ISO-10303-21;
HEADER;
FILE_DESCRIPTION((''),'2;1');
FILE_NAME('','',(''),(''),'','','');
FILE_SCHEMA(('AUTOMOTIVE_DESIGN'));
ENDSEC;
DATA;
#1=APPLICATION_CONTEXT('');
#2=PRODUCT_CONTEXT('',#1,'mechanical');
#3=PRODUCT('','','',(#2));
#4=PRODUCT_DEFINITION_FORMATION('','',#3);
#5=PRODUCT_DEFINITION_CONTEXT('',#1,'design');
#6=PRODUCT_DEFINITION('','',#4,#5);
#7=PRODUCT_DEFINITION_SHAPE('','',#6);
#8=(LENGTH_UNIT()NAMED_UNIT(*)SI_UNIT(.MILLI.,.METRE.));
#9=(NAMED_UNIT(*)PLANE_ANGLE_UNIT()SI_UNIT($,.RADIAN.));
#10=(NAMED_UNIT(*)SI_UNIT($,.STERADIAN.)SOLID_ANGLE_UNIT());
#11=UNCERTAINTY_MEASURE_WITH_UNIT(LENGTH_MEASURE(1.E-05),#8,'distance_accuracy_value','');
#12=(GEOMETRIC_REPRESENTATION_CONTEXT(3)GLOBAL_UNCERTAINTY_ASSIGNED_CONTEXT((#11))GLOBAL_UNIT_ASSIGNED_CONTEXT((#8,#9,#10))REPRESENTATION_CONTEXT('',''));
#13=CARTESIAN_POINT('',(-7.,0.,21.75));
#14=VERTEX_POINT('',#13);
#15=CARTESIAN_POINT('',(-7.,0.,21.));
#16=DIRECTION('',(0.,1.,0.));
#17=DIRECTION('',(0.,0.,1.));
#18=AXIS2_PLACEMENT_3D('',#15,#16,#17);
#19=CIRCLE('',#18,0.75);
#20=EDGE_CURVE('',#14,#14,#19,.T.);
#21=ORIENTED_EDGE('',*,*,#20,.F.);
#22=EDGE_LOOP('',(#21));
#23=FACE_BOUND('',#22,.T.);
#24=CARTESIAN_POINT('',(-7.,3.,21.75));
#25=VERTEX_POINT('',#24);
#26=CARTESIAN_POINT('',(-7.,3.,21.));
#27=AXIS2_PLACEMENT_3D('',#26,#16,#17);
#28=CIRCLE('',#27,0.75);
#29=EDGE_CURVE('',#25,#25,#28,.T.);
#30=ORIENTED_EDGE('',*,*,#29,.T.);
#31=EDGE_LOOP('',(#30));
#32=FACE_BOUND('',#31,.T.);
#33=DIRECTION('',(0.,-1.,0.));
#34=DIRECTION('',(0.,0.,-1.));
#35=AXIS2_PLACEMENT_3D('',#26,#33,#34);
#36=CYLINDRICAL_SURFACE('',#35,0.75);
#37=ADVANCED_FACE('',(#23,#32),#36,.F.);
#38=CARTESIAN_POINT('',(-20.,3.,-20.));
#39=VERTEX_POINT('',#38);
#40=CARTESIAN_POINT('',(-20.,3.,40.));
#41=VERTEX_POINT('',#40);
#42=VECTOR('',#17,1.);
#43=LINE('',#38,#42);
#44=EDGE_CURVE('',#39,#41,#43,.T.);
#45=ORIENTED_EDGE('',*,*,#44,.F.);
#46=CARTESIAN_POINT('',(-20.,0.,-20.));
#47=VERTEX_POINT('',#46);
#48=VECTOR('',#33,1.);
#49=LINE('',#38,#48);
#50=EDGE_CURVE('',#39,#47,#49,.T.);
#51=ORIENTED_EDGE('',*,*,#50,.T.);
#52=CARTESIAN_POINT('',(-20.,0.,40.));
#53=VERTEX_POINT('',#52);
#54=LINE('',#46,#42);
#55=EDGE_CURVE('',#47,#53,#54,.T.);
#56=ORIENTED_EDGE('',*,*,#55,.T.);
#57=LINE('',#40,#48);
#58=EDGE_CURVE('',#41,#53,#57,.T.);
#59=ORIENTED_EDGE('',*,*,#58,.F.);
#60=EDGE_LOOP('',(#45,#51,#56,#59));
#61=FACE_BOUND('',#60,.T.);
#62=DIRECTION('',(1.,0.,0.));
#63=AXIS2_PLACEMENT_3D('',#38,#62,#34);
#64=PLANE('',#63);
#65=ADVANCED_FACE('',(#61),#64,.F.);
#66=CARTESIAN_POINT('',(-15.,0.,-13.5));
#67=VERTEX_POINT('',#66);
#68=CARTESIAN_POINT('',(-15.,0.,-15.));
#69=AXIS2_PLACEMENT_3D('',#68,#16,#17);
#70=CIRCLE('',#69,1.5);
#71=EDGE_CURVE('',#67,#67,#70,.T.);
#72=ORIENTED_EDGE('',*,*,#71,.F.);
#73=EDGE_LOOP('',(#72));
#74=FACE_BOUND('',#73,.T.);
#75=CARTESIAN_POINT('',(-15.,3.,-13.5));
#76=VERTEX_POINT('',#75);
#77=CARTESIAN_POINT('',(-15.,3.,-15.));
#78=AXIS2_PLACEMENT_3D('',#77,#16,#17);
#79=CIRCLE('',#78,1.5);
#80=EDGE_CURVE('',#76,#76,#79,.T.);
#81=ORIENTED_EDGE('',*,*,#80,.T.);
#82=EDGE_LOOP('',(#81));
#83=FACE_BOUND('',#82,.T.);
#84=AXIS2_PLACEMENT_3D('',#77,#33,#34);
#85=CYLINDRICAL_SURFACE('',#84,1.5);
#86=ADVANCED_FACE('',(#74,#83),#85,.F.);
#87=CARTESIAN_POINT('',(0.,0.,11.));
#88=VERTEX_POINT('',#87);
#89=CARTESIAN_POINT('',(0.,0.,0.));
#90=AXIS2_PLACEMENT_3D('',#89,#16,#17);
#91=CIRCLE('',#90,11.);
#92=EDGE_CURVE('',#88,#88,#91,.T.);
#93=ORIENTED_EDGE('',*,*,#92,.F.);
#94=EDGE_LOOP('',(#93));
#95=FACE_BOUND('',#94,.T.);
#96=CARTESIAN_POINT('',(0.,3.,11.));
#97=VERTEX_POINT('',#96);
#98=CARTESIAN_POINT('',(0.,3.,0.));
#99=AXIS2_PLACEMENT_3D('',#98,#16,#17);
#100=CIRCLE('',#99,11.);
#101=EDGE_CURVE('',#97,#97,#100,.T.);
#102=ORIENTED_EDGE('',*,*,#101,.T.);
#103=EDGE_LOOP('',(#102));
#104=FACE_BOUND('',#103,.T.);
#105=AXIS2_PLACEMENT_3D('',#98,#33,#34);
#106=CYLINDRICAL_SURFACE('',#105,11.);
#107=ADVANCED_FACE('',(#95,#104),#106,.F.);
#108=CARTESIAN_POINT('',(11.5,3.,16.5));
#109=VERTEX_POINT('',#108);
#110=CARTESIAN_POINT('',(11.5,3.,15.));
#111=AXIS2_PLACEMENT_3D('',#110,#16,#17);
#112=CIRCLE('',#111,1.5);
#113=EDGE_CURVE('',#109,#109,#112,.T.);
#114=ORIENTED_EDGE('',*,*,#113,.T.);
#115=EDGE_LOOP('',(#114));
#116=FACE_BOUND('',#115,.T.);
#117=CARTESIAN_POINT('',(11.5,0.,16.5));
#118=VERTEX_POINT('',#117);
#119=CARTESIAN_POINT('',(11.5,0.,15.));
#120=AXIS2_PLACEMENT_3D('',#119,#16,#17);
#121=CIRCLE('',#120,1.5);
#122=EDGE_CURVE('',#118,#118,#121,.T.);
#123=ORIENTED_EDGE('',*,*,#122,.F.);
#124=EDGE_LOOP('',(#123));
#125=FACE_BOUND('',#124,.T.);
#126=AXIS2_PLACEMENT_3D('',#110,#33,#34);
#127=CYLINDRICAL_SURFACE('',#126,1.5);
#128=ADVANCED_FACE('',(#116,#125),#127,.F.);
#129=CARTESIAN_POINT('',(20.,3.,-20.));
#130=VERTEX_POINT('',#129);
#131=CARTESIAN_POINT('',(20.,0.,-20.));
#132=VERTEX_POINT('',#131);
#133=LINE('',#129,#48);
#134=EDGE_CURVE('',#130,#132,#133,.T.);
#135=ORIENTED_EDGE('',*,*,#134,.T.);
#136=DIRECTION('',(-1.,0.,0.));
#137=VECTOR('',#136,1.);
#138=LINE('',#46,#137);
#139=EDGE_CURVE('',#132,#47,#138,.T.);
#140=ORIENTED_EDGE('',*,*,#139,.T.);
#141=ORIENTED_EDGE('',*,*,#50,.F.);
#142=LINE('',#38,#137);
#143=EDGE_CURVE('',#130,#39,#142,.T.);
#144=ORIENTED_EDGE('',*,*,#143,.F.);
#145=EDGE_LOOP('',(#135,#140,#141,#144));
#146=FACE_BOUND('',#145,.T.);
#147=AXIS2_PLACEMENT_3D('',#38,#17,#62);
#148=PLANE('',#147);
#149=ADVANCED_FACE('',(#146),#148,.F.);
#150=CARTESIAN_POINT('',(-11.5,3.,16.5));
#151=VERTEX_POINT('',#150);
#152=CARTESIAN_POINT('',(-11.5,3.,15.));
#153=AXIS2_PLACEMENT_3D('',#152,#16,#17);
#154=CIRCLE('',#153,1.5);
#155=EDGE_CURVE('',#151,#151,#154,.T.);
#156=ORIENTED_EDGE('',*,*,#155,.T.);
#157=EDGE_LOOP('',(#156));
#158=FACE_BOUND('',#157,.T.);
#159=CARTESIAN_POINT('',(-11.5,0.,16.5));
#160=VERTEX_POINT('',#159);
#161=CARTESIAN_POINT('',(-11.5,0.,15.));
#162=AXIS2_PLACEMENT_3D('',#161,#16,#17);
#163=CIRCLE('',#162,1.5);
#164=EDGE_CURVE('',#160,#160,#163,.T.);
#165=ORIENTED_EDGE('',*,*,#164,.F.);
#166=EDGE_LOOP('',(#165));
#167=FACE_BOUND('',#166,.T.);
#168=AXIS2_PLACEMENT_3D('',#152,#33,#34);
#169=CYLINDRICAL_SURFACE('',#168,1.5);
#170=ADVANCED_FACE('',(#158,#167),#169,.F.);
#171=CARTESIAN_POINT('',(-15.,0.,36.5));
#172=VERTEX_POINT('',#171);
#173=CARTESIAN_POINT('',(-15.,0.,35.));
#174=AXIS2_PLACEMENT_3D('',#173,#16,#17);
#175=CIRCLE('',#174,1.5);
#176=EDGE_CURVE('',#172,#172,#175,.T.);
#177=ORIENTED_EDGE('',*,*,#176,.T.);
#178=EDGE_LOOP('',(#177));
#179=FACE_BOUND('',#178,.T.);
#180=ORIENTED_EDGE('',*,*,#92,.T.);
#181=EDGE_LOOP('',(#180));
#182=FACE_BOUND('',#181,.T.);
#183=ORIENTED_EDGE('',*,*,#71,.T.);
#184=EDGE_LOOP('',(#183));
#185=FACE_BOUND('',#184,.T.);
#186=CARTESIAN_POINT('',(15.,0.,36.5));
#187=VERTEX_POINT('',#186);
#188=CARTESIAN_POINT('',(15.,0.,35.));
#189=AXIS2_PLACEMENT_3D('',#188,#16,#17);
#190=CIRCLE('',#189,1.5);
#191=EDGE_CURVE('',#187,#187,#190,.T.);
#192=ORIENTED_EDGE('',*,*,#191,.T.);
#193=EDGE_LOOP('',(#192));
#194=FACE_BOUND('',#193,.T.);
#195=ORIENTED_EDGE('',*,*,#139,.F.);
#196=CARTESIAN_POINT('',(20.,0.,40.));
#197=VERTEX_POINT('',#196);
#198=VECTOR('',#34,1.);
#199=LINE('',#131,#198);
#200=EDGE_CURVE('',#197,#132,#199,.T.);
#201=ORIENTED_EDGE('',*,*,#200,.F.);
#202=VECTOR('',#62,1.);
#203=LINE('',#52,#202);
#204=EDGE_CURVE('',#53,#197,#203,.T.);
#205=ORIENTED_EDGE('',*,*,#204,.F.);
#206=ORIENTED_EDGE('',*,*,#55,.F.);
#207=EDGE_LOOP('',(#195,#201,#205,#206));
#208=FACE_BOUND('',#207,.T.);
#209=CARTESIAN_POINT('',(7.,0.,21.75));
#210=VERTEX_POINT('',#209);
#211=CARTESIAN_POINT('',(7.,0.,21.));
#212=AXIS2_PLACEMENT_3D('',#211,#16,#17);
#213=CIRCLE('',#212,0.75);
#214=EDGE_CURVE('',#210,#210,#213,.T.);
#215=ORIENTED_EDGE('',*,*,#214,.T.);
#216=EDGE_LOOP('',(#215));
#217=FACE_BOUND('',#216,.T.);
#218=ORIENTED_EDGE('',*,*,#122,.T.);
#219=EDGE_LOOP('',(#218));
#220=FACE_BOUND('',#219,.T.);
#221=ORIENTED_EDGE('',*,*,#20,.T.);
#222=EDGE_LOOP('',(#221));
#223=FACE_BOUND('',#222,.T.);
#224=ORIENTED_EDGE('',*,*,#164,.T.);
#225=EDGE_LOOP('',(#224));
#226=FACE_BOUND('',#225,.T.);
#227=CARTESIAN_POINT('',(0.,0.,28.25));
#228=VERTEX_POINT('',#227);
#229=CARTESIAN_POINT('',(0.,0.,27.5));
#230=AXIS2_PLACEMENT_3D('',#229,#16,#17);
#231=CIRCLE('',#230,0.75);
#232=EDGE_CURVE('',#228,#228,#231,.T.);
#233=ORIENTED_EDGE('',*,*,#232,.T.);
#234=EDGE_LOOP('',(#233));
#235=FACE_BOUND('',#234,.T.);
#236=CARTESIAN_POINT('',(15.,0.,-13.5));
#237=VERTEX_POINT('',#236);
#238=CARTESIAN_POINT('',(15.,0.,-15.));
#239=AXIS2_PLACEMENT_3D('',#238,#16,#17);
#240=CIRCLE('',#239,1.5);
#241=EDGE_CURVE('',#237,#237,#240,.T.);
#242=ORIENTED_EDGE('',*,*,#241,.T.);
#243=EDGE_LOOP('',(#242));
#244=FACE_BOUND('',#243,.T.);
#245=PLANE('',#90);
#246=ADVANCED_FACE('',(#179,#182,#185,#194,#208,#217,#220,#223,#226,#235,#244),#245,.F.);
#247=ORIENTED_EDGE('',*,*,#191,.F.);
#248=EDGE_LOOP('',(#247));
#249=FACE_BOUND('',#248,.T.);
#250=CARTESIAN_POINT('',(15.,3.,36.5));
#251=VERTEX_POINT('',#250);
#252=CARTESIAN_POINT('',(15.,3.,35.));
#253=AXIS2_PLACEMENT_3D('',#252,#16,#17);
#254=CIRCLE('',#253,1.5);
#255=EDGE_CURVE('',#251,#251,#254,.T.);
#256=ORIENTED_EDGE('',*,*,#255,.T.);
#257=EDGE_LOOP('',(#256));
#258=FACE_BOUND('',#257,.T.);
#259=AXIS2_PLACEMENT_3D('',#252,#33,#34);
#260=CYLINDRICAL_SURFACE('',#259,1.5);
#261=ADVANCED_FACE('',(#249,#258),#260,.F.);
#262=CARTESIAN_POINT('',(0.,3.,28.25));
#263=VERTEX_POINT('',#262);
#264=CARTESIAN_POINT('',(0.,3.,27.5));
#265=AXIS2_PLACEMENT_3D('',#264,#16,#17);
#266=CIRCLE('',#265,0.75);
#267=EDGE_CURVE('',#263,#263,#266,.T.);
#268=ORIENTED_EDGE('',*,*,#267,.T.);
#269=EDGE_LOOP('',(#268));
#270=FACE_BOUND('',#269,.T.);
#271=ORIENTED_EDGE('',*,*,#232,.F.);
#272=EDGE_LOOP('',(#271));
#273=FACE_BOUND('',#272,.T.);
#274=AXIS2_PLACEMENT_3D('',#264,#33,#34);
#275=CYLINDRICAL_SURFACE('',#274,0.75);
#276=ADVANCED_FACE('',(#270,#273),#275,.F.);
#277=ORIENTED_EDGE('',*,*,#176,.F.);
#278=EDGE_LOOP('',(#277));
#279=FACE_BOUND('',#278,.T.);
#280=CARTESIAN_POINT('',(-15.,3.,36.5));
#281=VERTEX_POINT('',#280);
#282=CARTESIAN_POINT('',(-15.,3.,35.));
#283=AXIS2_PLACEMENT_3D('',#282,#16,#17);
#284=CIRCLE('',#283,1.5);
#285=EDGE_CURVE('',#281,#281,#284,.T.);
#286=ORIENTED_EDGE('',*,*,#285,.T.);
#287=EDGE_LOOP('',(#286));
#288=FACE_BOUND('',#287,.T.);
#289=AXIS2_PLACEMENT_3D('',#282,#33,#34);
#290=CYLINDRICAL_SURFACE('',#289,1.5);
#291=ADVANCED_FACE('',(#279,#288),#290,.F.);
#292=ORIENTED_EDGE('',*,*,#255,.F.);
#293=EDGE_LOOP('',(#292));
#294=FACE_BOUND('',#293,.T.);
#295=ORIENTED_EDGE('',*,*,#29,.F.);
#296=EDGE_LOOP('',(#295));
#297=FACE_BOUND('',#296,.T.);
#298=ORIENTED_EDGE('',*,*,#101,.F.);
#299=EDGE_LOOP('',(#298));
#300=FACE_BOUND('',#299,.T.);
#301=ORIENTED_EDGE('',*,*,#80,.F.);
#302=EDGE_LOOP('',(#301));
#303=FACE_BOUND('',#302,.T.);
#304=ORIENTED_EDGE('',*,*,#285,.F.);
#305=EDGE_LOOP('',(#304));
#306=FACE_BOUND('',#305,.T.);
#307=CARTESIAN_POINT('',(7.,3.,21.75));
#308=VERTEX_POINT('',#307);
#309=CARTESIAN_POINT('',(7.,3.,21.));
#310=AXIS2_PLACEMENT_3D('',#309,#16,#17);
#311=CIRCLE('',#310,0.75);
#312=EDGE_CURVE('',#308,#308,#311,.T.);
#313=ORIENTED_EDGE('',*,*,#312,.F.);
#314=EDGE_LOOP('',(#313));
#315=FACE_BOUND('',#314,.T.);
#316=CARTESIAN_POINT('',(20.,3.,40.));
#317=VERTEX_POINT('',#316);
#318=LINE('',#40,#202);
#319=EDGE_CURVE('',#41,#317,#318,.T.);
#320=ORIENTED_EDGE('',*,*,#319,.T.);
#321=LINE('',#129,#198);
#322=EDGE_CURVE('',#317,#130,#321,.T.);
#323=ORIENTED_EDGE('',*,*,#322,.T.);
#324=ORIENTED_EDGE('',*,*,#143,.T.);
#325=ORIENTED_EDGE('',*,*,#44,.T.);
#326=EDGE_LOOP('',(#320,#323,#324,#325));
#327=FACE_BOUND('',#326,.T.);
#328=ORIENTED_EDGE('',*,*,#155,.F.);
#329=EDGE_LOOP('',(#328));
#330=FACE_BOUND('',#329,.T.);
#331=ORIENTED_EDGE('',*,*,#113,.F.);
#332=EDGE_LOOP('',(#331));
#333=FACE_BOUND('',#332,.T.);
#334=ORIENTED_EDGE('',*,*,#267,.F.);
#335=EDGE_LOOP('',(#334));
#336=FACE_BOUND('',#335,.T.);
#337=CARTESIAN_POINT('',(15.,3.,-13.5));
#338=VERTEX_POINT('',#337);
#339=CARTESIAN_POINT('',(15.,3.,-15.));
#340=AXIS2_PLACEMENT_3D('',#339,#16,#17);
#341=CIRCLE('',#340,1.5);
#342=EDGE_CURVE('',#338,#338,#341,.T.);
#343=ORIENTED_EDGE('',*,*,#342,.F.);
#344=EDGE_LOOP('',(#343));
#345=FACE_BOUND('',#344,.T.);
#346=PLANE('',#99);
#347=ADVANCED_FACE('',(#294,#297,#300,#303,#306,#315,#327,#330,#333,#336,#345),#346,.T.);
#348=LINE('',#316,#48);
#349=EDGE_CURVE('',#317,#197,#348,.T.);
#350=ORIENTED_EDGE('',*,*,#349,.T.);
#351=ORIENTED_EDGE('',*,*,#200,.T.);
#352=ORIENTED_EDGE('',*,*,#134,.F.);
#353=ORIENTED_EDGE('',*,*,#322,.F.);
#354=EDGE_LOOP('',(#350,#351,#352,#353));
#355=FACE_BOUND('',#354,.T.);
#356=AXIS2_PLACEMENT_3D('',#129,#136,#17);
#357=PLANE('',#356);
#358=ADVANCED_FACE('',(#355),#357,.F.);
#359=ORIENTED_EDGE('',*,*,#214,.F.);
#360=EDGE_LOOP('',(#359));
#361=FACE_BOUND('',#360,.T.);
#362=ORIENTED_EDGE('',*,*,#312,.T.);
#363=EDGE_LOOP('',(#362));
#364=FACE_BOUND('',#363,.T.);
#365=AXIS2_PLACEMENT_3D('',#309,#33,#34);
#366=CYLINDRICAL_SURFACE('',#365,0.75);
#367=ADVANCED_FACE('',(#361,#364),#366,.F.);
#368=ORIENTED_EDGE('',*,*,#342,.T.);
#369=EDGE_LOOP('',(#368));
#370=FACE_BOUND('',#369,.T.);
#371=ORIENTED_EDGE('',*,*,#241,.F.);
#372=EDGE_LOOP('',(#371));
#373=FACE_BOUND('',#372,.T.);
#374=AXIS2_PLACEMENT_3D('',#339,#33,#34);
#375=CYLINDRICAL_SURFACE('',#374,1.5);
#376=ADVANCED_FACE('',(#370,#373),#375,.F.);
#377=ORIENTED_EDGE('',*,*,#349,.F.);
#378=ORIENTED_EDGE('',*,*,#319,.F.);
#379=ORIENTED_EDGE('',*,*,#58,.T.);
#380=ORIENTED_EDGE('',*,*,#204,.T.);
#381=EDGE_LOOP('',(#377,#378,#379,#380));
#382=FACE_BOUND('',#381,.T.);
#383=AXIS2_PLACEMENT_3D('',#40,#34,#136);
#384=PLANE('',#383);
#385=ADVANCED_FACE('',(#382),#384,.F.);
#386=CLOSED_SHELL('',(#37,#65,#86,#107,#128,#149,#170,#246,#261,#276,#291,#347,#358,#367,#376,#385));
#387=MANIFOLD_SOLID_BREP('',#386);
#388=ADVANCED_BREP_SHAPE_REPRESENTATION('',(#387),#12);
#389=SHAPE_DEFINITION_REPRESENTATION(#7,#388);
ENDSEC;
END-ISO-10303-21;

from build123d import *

# Parameters (mm, degrees)
SKETCH_1_W      = 40
SKETCH_1_H      = 60
SKETCH_1_R      = 11
SKETCH_1_R_2    = 1.5
SKETCH_1_R_3    = 0.75
EXTRUDE_1_DEPTH = 3


with BuildPart() as part:
    # 草图1 → 凸台-拉伸1 (new body)
    with BuildSketch(Plane(origin=(0, 0, 0), x_dir=(1, 0, 0), z_dir=(0, 1, 0))):
        with Locations((0, -10)):
            Rectangle(SKETCH_1_W, SKETCH_1_H)
        with Locations(Location((0, 0, 0), (0, 0, 270))):
            Circle(SKETCH_1_R, mode=Mode.SUBTRACT)
        with Locations(Location((-15, 15, 0), (0, 0, 270))):
            Circle(SKETCH_1_R_2, mode=Mode.SUBTRACT)
        with Locations(Location((15, 15, 0), (0, 0, 270))):
            Circle(SKETCH_1_R_2, mode=Mode.SUBTRACT)
        with Locations(Location((15, -35, 0), (0, 0, 270))):
            Circle(SKETCH_1_R_2, mode=Mode.SUBTRACT)
        with Locations(Location((-15, -35, 0), (0, 0, 270))):
            Circle(SKETCH_1_R_2, mode=Mode.SUBTRACT)
        with Locations(Location((0, -27.5, 0), (0, 0, 270))):
            Circle(SKETCH_1_R_3, mode=Mode.SUBTRACT)
        with Locations(Location((-7, -21, 0), (0, 0, 270))):
            Circle(SKETCH_1_R_3, mode=Mode.SUBTRACT)
        with Locations(Location((7, -21, 0), (0, 0, 270))):
            Circle(SKETCH_1_R_3, mode=Mode.SUBTRACT)
        with Locations(Location((-11.5, -15, 0), (0, 0, 270))):
            Circle(SKETCH_1_R_2, mode=Mode.SUBTRACT)
        with Locations(Location((11.5, -15, 0), (0, 0, 270))):
            Circle(SKETCH_1_R_2, mode=Mode.SUBTRACT)
    extrude(amount=EXTRUDE_1_DEPTH)


solid = part.part
